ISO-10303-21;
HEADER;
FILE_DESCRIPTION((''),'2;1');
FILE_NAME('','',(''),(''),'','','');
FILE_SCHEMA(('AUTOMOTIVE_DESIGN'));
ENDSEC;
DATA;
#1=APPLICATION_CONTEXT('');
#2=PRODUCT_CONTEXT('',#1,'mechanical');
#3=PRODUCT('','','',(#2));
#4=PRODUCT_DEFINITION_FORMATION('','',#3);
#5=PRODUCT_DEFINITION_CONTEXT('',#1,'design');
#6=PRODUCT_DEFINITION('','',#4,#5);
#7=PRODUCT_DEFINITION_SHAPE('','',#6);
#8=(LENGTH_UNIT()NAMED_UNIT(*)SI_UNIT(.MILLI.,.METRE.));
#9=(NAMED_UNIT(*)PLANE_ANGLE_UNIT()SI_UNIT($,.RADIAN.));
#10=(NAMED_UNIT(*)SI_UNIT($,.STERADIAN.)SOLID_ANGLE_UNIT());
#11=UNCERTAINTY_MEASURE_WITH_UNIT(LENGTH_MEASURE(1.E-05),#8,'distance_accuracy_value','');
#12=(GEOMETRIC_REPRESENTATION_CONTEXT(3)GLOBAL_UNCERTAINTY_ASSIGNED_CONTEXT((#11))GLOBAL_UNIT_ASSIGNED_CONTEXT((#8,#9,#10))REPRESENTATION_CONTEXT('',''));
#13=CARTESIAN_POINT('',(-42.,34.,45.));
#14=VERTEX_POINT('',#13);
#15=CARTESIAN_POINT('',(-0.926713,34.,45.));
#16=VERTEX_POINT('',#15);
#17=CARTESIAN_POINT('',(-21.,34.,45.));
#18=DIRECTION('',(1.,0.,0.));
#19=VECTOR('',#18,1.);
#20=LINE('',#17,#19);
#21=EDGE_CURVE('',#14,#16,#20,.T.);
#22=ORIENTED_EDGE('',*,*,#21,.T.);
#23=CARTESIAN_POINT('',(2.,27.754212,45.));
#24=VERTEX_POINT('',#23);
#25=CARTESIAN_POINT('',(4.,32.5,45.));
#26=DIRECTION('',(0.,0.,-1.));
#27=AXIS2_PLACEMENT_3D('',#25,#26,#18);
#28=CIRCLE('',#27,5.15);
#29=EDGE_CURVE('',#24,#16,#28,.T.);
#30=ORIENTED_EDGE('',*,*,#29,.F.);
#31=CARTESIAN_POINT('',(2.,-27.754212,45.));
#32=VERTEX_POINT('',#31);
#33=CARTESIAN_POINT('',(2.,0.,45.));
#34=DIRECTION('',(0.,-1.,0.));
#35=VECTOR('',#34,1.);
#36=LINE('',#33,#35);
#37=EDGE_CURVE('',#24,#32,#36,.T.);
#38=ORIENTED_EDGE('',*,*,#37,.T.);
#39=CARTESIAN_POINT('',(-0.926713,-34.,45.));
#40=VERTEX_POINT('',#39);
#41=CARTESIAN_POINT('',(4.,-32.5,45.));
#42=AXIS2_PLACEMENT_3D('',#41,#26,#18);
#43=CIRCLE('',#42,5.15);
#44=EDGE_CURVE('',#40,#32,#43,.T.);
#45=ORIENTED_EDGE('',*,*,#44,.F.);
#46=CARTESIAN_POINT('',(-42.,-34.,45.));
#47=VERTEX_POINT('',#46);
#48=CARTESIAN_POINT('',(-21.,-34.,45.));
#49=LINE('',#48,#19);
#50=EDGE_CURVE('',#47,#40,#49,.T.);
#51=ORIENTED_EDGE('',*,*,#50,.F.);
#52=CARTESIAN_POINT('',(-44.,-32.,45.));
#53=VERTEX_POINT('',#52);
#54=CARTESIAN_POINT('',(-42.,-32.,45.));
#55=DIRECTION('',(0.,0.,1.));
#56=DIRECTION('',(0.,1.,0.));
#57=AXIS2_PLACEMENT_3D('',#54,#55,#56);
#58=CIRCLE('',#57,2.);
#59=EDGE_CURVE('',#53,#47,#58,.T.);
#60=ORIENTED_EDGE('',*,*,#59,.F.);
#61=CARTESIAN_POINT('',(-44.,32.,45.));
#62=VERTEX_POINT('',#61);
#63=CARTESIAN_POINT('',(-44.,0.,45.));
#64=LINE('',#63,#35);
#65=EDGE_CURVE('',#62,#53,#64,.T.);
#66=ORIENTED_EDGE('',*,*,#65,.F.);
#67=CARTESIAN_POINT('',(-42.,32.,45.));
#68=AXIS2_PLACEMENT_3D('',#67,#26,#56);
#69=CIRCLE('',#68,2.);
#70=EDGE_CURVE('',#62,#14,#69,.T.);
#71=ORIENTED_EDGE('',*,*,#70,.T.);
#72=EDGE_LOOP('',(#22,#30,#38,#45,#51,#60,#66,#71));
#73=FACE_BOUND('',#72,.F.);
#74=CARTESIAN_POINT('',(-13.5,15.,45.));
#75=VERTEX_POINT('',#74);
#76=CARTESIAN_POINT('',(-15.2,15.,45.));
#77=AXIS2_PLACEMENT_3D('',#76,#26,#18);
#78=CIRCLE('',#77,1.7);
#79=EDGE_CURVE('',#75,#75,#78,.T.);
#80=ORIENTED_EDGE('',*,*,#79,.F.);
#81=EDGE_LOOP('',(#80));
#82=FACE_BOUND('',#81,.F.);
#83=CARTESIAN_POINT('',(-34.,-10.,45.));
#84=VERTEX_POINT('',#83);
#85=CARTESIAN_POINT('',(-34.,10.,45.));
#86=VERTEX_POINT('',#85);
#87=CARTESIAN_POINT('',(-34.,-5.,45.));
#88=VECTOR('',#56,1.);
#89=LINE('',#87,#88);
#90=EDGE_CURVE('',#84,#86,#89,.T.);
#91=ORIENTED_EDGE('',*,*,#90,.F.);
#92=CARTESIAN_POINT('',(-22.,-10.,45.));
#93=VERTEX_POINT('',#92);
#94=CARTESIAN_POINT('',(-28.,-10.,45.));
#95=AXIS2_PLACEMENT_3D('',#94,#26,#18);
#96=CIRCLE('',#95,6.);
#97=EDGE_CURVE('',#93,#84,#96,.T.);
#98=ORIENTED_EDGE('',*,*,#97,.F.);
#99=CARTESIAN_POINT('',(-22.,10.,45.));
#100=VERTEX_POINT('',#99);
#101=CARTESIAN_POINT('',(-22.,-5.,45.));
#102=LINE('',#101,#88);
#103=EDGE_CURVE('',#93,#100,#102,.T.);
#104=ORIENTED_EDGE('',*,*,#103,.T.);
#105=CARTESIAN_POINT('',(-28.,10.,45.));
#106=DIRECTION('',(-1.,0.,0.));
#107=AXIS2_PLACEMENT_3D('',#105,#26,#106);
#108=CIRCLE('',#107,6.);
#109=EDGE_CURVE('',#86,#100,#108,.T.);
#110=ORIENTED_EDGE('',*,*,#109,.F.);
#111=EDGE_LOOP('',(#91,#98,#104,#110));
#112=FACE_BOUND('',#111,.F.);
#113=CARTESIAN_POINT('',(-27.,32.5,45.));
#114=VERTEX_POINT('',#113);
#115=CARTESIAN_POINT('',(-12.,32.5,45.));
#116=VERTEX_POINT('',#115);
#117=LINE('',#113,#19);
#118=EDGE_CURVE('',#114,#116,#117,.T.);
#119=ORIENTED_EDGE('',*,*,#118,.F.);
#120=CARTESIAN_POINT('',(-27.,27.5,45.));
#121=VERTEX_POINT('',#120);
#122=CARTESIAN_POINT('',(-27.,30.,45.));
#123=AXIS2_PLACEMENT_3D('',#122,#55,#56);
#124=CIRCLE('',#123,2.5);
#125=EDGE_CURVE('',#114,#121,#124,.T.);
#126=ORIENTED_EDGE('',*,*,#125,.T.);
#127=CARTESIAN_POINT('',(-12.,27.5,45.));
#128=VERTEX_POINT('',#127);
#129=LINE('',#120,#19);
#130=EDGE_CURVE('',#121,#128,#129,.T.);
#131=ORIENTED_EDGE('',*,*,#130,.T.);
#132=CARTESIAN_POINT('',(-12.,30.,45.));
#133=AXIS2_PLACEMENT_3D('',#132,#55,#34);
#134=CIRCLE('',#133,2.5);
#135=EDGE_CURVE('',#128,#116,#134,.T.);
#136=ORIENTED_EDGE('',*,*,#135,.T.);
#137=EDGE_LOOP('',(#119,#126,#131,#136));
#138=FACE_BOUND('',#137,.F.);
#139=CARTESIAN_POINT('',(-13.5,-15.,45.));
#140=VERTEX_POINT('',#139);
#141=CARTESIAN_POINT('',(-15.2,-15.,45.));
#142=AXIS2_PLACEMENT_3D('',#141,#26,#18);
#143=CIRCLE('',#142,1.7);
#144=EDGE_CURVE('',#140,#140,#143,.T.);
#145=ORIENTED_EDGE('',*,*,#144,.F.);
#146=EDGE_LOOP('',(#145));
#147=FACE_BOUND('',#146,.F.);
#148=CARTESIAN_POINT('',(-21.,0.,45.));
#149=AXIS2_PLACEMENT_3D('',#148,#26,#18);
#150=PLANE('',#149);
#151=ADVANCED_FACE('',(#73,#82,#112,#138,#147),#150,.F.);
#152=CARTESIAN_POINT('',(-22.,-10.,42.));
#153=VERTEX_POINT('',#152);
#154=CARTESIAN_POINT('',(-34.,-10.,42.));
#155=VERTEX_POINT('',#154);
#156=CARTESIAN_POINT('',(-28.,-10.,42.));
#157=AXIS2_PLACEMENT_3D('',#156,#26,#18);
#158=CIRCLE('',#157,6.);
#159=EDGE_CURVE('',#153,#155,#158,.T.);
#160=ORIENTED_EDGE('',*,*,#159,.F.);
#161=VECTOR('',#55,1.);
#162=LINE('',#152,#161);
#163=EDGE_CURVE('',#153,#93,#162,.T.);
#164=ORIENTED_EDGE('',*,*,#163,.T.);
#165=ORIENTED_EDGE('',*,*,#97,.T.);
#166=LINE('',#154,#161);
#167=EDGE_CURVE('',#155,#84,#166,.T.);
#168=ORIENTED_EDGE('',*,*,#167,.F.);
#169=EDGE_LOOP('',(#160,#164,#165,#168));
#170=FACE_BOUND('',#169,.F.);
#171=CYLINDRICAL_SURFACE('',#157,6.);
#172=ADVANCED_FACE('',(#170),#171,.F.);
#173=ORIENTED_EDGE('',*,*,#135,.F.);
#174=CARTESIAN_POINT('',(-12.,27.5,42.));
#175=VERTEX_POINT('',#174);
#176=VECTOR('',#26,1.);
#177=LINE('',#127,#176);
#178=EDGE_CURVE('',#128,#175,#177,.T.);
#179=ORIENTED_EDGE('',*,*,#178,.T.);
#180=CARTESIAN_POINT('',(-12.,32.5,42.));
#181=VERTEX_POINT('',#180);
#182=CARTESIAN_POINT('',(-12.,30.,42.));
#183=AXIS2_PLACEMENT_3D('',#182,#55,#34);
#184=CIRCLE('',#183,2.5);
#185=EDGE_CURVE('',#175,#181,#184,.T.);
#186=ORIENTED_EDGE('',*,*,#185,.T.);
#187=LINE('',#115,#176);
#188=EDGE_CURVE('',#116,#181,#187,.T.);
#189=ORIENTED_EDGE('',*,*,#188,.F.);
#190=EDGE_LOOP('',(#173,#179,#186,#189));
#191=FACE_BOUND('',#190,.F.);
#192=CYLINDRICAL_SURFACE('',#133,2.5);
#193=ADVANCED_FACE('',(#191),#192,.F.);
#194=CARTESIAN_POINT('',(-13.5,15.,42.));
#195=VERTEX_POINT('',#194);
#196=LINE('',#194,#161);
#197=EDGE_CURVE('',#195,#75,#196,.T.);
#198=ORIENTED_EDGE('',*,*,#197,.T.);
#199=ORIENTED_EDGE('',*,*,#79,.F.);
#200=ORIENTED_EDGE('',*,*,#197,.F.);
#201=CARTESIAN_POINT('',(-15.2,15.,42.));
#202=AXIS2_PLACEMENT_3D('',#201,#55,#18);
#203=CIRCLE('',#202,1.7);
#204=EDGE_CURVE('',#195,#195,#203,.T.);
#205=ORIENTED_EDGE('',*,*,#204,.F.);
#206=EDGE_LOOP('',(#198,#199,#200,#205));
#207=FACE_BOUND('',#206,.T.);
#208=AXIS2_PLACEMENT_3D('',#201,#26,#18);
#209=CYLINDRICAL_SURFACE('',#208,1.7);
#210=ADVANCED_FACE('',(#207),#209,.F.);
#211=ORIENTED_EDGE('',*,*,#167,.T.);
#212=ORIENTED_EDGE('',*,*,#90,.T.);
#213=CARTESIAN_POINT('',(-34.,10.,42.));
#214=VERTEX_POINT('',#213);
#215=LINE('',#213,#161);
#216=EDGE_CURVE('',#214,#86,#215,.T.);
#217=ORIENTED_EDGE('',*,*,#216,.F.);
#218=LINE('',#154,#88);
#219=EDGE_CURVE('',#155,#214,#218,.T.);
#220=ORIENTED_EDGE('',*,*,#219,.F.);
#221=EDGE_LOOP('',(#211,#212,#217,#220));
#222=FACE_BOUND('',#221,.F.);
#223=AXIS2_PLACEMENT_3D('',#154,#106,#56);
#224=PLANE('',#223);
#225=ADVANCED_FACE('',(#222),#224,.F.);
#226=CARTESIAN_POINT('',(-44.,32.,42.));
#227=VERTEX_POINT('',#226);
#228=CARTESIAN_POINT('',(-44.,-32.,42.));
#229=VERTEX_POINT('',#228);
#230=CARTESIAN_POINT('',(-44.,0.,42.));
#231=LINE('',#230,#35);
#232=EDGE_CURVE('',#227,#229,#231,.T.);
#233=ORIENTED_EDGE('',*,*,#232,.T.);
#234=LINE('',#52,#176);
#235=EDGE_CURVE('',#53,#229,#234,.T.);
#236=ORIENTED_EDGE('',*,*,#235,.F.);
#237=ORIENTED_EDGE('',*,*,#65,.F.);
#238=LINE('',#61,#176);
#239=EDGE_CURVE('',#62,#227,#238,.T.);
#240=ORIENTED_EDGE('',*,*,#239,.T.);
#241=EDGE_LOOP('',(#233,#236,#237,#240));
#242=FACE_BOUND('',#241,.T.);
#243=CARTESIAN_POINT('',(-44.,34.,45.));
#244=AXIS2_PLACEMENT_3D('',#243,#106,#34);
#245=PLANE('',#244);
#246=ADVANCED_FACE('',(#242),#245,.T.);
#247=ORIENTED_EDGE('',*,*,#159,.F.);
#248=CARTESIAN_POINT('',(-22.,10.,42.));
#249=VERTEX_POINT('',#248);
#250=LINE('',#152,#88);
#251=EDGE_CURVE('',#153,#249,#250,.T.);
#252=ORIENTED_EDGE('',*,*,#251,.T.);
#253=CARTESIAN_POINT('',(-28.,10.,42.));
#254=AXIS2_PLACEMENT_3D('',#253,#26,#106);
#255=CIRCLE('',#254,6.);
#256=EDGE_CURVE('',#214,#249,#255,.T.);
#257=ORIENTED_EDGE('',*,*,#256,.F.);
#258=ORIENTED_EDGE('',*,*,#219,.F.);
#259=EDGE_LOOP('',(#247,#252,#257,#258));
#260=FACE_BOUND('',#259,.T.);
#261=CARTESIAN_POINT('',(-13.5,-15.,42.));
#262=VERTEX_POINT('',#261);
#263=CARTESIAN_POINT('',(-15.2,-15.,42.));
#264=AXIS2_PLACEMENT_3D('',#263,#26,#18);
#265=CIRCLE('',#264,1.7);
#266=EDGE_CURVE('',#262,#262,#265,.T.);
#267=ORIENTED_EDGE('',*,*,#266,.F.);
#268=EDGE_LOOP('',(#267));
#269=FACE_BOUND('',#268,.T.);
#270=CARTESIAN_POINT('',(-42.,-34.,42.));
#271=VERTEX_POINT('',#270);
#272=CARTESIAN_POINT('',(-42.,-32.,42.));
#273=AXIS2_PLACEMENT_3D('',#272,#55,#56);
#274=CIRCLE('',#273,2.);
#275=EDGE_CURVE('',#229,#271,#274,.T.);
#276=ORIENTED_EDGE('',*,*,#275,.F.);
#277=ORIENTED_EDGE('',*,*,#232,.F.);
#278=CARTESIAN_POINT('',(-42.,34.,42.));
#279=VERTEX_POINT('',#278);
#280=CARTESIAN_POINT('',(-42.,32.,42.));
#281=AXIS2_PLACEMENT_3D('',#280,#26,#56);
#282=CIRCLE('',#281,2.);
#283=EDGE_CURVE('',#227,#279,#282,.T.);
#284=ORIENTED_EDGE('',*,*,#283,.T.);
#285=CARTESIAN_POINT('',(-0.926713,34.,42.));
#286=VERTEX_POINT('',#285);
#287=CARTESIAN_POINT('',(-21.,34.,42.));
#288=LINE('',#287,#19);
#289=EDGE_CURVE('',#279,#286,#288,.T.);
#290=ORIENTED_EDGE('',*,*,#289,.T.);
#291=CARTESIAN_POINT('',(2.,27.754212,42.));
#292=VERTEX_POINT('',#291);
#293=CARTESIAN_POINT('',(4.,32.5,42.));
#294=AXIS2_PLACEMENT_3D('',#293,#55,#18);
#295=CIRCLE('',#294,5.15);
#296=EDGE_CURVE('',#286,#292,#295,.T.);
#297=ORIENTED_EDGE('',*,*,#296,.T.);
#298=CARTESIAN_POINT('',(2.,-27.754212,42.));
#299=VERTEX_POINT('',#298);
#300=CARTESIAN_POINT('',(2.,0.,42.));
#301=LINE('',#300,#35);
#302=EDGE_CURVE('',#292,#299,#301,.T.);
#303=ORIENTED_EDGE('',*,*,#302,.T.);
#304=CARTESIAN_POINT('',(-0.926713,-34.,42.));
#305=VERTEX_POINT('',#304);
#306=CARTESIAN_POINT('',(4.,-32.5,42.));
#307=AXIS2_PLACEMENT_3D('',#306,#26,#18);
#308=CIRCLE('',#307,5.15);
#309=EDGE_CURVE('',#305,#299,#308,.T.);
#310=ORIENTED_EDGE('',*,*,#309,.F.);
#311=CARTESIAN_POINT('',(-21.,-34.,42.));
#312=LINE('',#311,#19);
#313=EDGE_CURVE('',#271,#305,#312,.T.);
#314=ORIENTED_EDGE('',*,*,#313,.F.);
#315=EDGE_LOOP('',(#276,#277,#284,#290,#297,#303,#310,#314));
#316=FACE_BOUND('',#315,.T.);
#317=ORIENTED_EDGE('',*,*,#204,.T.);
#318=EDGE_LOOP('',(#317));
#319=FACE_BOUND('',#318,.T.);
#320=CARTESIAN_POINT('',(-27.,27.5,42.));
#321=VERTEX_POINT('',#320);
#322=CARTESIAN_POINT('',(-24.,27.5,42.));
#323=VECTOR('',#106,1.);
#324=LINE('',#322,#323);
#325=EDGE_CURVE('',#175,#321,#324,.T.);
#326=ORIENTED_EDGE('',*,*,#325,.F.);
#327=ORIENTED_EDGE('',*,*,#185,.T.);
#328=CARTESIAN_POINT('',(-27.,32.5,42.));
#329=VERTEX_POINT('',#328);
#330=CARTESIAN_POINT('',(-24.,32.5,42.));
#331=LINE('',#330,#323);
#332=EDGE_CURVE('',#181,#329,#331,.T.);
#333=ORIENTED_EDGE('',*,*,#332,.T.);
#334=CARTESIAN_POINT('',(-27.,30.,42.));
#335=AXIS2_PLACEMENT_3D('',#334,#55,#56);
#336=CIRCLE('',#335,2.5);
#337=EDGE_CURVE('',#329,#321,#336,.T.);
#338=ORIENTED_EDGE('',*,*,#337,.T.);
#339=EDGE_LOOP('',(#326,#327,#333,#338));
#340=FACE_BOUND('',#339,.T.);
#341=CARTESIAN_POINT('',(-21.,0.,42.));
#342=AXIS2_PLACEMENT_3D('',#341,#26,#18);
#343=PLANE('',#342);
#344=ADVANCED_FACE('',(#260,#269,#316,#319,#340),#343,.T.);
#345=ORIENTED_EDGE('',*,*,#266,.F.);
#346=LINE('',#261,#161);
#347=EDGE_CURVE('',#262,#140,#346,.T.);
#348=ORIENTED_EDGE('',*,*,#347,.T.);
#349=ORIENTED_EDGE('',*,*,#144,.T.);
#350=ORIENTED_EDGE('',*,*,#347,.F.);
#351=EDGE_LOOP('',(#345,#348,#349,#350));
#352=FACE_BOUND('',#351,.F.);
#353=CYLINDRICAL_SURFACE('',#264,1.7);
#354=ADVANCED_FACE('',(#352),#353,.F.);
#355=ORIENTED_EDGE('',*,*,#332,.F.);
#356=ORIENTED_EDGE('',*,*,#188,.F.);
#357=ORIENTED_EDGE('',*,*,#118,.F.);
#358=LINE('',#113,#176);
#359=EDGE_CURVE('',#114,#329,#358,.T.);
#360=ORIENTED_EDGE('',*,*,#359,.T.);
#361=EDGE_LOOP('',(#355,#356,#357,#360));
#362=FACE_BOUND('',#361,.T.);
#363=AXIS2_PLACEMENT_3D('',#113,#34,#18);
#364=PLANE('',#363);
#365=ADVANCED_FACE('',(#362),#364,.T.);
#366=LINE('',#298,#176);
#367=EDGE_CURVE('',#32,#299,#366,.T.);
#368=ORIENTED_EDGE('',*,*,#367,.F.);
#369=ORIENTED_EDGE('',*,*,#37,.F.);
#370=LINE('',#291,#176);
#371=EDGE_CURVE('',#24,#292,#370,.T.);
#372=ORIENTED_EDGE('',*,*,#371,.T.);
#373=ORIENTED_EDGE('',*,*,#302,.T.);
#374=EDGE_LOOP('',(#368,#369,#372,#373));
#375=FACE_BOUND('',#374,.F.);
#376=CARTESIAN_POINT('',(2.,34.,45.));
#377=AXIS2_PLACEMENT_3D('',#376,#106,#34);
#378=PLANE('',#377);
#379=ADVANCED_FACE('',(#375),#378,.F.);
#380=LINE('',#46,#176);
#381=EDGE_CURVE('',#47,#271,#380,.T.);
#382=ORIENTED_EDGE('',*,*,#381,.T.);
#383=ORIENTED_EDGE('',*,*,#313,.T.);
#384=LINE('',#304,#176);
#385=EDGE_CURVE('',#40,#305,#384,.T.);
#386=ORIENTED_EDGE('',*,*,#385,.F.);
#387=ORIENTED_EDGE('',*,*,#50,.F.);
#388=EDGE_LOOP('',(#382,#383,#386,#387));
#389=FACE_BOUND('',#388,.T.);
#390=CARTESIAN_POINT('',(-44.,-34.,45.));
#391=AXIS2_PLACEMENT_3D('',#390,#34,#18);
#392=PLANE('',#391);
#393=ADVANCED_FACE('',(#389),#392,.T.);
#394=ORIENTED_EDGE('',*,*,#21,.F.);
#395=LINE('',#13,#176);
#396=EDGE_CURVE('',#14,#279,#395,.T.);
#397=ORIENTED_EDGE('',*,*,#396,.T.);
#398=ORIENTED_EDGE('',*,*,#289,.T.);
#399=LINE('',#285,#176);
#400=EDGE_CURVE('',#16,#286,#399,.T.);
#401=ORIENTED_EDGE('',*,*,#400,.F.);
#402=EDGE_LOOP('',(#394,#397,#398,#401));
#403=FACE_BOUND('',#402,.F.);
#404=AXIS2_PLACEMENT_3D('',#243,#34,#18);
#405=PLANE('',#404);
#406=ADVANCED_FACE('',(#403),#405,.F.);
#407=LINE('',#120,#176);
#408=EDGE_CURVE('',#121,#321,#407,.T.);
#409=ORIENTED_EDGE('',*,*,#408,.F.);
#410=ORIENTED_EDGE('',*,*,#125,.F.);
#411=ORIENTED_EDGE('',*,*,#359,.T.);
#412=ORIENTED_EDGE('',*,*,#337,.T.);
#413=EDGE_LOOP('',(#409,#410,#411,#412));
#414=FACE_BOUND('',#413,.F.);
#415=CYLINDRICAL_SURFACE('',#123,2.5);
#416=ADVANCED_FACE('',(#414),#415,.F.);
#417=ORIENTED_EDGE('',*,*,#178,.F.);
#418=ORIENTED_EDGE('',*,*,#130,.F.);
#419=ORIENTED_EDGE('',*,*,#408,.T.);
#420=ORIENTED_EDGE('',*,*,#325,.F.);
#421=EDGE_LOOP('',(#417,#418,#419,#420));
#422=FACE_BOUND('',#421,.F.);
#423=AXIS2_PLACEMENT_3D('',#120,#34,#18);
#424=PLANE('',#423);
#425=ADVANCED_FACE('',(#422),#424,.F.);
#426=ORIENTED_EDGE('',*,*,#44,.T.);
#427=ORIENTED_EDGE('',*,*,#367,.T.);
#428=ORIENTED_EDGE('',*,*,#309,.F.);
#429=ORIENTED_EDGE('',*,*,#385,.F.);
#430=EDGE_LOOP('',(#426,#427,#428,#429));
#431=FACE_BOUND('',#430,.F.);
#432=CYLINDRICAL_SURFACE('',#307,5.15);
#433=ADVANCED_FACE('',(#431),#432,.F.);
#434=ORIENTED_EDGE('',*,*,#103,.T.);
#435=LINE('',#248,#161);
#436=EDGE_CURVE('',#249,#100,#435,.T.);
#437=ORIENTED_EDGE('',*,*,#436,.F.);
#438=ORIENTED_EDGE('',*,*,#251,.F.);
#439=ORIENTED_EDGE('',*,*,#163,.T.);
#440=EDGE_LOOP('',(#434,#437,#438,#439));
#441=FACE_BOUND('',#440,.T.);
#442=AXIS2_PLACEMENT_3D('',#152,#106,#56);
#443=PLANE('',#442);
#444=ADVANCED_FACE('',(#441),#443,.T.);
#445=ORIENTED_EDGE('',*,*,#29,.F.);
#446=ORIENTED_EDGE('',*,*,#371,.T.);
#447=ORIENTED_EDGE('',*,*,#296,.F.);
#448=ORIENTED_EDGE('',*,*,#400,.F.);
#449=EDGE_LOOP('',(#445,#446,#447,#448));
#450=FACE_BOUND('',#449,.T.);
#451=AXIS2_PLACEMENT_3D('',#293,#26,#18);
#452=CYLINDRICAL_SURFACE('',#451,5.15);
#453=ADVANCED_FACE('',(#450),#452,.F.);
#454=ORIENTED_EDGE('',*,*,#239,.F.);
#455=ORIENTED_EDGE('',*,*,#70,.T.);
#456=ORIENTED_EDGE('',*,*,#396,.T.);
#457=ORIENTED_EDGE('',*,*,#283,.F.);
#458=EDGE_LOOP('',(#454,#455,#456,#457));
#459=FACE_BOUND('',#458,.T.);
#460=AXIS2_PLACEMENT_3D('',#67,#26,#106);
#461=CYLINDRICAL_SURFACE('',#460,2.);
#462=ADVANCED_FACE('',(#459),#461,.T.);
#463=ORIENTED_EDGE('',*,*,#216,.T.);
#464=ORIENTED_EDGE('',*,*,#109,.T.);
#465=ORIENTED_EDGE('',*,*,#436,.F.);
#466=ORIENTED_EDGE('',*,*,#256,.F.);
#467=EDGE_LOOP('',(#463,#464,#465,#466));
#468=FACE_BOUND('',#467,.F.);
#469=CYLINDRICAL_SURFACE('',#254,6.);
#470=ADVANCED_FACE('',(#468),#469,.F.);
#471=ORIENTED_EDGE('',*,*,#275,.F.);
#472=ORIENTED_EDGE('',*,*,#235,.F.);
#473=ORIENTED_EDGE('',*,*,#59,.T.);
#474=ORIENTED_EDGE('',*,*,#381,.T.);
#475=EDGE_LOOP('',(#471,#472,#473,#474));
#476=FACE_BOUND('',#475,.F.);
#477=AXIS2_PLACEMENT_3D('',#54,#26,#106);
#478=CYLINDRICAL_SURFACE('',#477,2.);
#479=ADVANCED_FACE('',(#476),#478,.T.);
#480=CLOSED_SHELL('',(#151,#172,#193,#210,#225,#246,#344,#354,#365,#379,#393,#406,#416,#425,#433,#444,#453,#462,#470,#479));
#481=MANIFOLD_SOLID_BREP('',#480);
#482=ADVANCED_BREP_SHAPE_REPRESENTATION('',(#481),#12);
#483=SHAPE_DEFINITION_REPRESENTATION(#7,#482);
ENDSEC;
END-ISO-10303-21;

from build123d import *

# Parameters (mm, degrees)
SKETCH035_W     = 46
SKETCH035_H     = 68
PAD010_DEPTH    = 3
FILLET006_R     = 2
SKETCH036_R     = 1.7
POCKET028_DEPTH = 167.305595
POCKET035_DEPTH = 3.001
SKETCH062_R     = 5.15
POCKET043_DEPTH = 167.305595
POCKET044_DEPTH = 3.001


with BuildPart() as part:
    # Sketch035 (on Face1 of CopyMirrored) → Pad010 (new body)
    with BuildSketch(Plane(origin=(0, 0, 45), x_dir=(1, 0, 0), z_dir=(0, 0, -1))):
        with Locations((-21, 0)):
            Rectangle(SKETCH035_W, SKETCH035_H)
    extrude(amount=PAD010_DEPTH)

    # Fillet006
    fillet006_edges = [part.edges().sort_by_distance(p)[0] for p in [
        (-44, -34, 43.5),
        (-44, 34, 43.5),
    ]]
    fillet(fillet006_edges, radius=FILLET006_R)

    # Sketch036 (on Face5 of Fillet006) → Pocket028 (cut, through all)
    with BuildSketch(Plane(origin=(0, 0, 42), x_dir=(1, 0, 0), z_dir=(0, 0, -1))):
        with Locations((-15.2, 15)):
            Circle(SKETCH036_R)
    pocket028 = extrude(amount=-POCKET028_DEPTH, mode=Mode.SUBTRACT)

    # Sketch051 → Pocket035 (cut, through all)
    with BuildSketch(Plane.XY.offset(45)):
        with BuildLine():
            ThreePointArc((-27, 32.5), (-29.5, 30), (-27, 27.5))
            Line((-27, 27.5), (-12, 27.5))
            ThreePointArc((-12, 27.5), (-9.5, 30), (-12, 32.5))
            Line((-27, 32.5), (-12, 32.5))
        make_face()
    extrude(amount=-POCKET035_DEPTH, mode=Mode.SUBTRACT)

    # Sketch062 (on Face5 of Pocket035) → Pocket043 (cut, through all)
    with BuildSketch(Plane(origin=(0, 0, 42), x_dir=(1, 0, 0), z_dir=(0, 0, -1))):
        with Locations((4, 32.5)):
            Circle(SKETCH062_R)
    pocket043 = extrude(amount=-POCKET043_DEPTH, mode=Mode.SUBTRACT)

    # Mirrored006: Pocket043, Pocket028 across XZ
    add(pocket043.mirror(Plane.XZ), mode=Mode.SUBTRACT)
    add(pocket028.mirror(Plane.XZ), mode=Mode.SUBTRACT)

    # Sketch063 (on Face4 of Mirrored006) → Pocket044 (cut, through all)
    with BuildSketch(Plane(origin=(0, 0, 42), x_dir=(1, 0, 0), z_dir=(0, 0, -1))):
        with BuildLine():
            ThreePointArc((-22, 10), (-28, 16), (-34, 10))
            Line((-34, 10), (-34, -10))
            ThreePointArc((-34, -10), (-28, -16), (-22, -10))
            Line((-22, 10), (-22, -10))
        make_face()
    extrude(amount=-POCKET044_DEPTH, mode=Mode.SUBTRACT)


solid = part.part
